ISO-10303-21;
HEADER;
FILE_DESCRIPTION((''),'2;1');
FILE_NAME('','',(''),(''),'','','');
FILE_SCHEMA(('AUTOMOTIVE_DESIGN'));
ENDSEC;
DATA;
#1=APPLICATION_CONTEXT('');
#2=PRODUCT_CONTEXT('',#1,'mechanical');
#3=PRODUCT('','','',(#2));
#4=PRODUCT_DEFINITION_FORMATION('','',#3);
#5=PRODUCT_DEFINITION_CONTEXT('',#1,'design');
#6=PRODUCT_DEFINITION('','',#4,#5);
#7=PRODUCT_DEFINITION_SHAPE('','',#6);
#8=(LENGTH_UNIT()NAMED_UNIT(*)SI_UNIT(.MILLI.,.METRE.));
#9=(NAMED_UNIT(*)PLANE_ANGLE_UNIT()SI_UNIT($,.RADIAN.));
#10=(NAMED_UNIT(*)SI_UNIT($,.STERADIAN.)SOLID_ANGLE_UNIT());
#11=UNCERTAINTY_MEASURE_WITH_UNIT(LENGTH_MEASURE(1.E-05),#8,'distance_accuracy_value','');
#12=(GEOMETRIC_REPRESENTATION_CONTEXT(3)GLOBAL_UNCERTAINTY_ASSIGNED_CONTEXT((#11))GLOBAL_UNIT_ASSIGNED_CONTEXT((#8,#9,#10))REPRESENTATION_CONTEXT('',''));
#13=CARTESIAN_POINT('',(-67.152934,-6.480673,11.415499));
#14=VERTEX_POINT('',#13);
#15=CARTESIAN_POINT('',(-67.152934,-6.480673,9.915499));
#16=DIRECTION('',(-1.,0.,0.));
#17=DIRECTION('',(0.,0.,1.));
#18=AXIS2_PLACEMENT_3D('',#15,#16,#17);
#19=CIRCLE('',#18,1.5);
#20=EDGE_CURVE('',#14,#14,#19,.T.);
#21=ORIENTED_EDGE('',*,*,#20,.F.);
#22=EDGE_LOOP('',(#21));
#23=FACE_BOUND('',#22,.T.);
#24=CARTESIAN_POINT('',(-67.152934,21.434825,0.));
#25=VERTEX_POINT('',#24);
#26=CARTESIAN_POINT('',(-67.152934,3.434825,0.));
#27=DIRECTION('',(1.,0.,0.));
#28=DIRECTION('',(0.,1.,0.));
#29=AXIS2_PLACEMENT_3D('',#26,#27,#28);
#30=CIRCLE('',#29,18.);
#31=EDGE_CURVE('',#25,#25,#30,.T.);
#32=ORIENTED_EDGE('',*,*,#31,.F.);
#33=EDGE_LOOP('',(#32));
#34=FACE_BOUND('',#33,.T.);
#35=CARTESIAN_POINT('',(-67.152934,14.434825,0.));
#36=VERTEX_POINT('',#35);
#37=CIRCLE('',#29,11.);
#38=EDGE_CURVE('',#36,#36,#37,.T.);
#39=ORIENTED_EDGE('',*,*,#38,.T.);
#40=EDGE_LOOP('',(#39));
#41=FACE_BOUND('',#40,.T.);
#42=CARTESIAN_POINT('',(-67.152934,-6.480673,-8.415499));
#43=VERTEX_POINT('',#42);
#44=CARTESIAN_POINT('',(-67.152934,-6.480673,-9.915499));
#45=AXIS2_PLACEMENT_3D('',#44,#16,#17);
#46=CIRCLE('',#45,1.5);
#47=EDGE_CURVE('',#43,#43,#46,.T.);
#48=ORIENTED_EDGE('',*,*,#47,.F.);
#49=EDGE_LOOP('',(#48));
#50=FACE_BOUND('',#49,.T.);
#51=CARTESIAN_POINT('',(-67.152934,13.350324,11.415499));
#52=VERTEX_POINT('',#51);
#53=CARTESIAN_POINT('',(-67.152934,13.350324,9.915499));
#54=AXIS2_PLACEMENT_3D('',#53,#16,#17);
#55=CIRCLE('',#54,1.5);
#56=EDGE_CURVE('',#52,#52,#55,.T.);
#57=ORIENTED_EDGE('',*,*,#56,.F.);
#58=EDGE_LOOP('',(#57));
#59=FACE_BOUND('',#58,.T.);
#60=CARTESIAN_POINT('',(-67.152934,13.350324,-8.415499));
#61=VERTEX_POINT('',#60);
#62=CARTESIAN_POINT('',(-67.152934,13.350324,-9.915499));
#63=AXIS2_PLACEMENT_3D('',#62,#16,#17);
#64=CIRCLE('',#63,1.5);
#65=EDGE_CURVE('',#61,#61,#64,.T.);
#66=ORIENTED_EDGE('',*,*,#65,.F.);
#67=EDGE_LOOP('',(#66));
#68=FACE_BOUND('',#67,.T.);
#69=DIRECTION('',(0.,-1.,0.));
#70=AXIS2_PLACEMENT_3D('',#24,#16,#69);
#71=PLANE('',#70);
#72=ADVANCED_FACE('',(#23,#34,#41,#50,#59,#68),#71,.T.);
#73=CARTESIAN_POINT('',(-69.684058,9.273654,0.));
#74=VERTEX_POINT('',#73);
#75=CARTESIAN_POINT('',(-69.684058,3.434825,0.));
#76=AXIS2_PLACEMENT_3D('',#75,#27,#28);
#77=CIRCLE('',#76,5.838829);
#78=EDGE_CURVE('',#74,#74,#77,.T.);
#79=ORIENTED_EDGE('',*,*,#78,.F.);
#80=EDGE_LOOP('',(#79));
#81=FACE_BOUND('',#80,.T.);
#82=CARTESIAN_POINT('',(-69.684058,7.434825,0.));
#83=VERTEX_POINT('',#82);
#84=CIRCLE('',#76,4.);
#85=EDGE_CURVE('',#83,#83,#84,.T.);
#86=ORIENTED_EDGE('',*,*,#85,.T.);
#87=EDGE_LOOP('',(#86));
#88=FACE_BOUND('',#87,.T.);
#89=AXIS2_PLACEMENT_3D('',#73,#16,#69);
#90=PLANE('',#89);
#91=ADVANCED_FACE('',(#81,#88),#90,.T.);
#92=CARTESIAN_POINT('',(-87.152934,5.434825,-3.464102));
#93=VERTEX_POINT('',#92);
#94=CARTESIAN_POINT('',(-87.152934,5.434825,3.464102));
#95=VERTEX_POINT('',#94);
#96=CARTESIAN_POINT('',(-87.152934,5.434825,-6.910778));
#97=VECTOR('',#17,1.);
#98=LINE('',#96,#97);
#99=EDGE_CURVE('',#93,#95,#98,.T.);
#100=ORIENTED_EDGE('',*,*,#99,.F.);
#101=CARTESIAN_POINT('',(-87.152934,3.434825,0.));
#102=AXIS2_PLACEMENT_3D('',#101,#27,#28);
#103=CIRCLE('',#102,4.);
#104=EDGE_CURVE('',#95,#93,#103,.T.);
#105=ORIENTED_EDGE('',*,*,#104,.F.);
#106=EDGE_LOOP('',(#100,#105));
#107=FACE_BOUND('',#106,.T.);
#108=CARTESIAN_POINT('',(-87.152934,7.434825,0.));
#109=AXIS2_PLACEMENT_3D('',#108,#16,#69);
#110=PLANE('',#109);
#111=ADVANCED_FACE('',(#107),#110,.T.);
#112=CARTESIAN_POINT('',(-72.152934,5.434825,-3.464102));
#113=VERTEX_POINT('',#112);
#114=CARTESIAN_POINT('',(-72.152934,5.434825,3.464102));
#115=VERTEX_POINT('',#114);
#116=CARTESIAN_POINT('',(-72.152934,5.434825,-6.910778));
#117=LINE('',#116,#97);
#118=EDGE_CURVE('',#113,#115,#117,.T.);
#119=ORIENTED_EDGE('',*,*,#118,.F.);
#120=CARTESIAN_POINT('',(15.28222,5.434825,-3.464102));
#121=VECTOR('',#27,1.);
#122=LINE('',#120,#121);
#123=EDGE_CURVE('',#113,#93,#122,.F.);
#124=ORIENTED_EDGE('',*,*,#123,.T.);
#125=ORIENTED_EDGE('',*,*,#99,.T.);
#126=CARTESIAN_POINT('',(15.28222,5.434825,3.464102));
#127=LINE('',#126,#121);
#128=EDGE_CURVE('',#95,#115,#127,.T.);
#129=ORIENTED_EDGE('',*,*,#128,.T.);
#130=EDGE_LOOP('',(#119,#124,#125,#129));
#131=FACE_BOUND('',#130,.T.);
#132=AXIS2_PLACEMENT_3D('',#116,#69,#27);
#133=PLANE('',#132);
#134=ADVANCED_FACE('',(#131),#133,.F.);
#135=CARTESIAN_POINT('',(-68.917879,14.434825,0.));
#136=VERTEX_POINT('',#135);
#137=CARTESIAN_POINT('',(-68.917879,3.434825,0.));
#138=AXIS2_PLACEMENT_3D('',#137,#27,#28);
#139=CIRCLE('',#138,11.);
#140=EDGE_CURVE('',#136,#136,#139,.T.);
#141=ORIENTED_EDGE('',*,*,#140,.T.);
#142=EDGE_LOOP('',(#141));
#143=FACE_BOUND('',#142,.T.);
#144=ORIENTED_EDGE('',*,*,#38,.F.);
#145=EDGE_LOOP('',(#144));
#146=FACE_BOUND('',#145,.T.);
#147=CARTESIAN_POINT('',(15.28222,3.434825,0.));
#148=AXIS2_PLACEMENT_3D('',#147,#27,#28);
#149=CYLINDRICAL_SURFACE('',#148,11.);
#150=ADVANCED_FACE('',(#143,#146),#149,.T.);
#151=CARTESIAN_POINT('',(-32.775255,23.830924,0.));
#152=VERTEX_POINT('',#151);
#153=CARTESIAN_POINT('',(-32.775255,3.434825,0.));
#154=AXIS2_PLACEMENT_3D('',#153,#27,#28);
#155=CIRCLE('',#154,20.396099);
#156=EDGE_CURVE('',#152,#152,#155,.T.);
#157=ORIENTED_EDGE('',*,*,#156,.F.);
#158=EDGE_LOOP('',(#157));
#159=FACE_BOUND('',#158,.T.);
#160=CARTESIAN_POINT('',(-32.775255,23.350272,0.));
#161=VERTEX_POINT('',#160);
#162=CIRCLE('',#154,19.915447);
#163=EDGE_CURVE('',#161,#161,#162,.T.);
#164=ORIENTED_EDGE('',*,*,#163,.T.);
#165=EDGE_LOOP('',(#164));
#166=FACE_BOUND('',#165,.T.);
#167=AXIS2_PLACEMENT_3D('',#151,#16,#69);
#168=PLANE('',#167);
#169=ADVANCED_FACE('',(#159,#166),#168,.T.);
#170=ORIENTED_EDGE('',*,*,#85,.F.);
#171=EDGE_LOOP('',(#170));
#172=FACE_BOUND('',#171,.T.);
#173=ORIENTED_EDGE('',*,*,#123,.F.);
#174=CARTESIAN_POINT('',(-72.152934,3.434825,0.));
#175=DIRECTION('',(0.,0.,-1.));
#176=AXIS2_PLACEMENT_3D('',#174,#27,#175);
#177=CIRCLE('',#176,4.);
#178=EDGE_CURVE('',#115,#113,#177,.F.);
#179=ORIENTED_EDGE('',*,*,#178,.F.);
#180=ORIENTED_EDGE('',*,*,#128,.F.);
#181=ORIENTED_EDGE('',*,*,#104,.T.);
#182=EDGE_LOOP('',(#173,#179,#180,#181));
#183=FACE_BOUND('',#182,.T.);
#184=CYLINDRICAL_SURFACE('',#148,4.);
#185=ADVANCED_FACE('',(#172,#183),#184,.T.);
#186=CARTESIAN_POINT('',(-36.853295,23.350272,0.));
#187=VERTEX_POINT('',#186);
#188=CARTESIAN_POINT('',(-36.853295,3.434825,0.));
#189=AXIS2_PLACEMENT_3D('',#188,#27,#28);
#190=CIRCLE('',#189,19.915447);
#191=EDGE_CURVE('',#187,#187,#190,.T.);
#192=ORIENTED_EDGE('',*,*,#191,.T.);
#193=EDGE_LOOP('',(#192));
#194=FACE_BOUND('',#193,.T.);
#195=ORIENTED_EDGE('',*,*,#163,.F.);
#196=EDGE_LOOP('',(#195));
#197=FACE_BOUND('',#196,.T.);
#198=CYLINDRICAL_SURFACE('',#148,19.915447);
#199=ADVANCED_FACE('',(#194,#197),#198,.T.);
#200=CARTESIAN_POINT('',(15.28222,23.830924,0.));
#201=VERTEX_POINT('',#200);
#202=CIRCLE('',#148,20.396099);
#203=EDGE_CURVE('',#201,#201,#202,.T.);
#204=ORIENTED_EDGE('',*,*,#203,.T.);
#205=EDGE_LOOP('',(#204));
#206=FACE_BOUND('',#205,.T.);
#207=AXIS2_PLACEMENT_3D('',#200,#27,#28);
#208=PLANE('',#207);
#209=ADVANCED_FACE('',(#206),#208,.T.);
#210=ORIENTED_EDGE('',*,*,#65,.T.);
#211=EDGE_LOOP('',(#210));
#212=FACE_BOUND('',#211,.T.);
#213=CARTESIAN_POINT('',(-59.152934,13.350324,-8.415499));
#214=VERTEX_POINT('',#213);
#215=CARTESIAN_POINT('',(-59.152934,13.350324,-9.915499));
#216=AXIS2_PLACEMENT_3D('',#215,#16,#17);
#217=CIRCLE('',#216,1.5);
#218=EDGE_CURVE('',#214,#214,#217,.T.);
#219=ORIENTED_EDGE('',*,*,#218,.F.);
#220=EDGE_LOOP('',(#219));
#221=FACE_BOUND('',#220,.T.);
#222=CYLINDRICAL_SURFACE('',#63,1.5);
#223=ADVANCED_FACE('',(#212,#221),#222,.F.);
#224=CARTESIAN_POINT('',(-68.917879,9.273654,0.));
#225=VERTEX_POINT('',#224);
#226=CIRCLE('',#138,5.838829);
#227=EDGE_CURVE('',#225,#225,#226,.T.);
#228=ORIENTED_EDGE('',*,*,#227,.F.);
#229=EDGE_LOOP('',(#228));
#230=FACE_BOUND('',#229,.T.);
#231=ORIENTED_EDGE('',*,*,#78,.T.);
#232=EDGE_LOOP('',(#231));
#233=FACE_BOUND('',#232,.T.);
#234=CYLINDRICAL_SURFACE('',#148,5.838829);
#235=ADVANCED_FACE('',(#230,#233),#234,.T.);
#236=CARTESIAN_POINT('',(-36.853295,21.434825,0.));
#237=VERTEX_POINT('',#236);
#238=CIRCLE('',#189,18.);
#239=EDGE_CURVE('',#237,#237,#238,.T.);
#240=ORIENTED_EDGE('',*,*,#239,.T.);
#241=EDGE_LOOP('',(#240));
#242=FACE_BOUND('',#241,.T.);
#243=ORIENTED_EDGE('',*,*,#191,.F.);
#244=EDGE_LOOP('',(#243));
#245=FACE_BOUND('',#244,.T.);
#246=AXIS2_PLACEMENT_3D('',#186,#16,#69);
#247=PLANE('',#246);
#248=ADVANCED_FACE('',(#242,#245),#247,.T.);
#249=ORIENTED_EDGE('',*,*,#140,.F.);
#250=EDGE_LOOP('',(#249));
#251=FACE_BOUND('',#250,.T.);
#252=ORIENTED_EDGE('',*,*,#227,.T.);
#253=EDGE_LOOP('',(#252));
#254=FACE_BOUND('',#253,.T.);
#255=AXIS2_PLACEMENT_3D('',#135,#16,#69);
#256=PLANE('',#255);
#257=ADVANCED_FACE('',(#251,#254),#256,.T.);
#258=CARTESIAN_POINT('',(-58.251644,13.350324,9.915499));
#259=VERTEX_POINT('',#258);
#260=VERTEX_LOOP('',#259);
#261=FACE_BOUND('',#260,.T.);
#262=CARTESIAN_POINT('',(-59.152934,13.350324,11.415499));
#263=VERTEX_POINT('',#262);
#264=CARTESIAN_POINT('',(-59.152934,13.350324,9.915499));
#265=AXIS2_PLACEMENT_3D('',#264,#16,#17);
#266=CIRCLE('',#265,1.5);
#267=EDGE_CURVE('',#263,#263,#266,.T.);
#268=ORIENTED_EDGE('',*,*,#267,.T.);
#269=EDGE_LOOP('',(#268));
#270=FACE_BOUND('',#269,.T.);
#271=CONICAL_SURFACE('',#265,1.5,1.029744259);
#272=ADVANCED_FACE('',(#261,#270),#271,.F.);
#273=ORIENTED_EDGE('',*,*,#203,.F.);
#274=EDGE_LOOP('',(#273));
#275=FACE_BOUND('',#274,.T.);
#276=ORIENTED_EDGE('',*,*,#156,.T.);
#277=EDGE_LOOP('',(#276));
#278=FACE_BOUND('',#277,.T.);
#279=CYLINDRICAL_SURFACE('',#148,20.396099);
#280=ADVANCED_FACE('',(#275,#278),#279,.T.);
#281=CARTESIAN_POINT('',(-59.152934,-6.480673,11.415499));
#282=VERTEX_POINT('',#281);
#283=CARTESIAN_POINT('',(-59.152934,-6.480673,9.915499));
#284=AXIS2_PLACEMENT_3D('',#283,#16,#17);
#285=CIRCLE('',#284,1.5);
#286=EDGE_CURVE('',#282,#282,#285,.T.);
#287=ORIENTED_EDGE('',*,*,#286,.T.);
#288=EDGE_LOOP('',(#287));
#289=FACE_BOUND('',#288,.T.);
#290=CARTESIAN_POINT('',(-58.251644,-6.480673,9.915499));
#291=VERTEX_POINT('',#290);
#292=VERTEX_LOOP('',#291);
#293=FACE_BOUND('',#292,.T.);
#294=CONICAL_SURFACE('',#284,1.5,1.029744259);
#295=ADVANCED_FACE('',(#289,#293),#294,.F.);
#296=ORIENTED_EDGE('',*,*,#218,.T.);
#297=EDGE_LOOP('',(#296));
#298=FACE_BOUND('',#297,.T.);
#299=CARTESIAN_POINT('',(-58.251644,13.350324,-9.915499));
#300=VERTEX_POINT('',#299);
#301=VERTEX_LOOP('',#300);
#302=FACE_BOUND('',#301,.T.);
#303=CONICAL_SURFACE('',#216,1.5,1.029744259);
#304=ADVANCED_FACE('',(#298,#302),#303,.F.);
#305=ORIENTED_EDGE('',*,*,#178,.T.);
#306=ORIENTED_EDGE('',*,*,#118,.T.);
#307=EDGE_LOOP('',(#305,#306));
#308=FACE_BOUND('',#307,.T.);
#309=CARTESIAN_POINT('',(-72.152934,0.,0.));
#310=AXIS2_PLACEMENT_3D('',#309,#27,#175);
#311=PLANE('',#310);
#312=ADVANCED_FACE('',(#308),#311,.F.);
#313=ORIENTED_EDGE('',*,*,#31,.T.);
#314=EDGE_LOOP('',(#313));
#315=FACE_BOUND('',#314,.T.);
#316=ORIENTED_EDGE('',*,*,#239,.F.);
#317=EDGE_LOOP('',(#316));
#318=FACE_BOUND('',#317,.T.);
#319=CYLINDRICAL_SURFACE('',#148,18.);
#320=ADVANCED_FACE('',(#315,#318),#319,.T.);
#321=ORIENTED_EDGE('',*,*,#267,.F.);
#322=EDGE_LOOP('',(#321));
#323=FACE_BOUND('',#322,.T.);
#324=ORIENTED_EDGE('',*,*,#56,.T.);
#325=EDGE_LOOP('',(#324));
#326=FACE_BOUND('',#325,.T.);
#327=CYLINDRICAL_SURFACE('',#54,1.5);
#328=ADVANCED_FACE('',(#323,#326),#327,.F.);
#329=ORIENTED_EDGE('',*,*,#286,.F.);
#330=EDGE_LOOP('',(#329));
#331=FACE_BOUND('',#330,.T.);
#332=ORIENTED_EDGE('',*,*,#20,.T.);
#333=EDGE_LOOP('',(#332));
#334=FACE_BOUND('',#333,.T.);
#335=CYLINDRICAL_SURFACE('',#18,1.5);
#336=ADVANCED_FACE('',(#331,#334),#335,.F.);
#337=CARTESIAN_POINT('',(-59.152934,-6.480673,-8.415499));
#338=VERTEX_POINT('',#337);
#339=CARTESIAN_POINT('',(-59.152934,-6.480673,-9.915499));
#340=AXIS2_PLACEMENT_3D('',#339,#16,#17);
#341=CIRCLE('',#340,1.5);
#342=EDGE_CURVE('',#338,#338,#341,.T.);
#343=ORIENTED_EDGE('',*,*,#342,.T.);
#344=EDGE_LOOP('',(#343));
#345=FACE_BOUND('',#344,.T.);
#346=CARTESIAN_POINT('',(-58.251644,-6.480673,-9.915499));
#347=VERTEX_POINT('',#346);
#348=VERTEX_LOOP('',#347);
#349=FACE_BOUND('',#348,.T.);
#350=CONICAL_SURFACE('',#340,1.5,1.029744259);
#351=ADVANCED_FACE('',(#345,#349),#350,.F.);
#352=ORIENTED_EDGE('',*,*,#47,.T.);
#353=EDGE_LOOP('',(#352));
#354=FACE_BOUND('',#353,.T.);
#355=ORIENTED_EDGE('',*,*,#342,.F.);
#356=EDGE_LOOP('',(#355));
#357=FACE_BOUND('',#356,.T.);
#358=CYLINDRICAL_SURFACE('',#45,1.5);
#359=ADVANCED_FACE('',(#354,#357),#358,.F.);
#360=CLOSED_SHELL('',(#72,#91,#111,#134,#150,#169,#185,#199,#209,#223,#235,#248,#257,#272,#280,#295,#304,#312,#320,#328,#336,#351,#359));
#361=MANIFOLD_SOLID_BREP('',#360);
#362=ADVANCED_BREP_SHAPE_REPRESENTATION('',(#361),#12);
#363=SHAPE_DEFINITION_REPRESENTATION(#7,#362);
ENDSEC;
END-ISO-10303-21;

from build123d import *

# Parameters (mm, degrees)
FORO_3_0_3_2_D           = 3
FORO_3_0_3_2_DEPTH       = 8
FORO_3_0_3_2_TIP         = 0.901290929
SCHIZZO6_W               = 14.665621526
SCHIZZO6_H               = 2.346880268
TAGLIO_ESTRUSIONE1_DEPTH = 15


with BuildPart() as part:
    # Schizzo1 → Rivoluzione1 (revolve)
    with BuildSketch(Plane.XY):
        Polygon((15.282220449, 23.830923985), (-32.775254634, 23.830923985), (-32.775254634, 23.35027231), (-36.85329536, 23.35027231), (-36.85329536, 21.434825278), (-67.152934439, 21.434825278), (-67.152934439, 14.434825278), (-68.917878687, 14.434825278), (-68.917878687, 9.273654429), (-69.6840575, 9.273654429), (-69.6840575, 7.434825278), (-87.152934439, 7.434825278), (-87.152934439, 3.434825278), (15.282220449, 3.434825278), align=None)
    revolve(axis=Axis((15.282220449, 3.434825278, 0), (-1, 0, 0)))

    # Foro Ø3.0 (3)-2
    with Locations(Plane.ZY.offset(67.152934439)):
        with Locations((-9.915498688, 13.350323965), (9.915498688, 13.350323965), (9.915498688, -6.48067341), (-9.915498688, -6.48067341)):
            Hole(FORO_3_0_3_2_D / 2, depth=FORO_3_0_3_2_DEPTH)
            with Locations((0, 0, -(FORO_3_0_3_2_DEPTH + FORO_3_0_3_2_TIP / 2))):  # 118° drill point
                Cone(0, FORO_3_0_3_2_D / 2, FORO_3_0_3_2_TIP, mode=Mode.SUBTRACT)

    # Schizzo6 → Taglio-Estrusione1 (cut)
    with BuildSketch(Plane.ZY.offset(87.152934439)):
        with Locations((0.422032274, 6.608265412)):
            Rectangle(SCHIZZO6_W, SCHIZZO6_H)
    extrude(amount=-TAGLIO_ESTRUSIONE1_DEPTH, mode=Mode.SUBTRACT)


solid = part.part
